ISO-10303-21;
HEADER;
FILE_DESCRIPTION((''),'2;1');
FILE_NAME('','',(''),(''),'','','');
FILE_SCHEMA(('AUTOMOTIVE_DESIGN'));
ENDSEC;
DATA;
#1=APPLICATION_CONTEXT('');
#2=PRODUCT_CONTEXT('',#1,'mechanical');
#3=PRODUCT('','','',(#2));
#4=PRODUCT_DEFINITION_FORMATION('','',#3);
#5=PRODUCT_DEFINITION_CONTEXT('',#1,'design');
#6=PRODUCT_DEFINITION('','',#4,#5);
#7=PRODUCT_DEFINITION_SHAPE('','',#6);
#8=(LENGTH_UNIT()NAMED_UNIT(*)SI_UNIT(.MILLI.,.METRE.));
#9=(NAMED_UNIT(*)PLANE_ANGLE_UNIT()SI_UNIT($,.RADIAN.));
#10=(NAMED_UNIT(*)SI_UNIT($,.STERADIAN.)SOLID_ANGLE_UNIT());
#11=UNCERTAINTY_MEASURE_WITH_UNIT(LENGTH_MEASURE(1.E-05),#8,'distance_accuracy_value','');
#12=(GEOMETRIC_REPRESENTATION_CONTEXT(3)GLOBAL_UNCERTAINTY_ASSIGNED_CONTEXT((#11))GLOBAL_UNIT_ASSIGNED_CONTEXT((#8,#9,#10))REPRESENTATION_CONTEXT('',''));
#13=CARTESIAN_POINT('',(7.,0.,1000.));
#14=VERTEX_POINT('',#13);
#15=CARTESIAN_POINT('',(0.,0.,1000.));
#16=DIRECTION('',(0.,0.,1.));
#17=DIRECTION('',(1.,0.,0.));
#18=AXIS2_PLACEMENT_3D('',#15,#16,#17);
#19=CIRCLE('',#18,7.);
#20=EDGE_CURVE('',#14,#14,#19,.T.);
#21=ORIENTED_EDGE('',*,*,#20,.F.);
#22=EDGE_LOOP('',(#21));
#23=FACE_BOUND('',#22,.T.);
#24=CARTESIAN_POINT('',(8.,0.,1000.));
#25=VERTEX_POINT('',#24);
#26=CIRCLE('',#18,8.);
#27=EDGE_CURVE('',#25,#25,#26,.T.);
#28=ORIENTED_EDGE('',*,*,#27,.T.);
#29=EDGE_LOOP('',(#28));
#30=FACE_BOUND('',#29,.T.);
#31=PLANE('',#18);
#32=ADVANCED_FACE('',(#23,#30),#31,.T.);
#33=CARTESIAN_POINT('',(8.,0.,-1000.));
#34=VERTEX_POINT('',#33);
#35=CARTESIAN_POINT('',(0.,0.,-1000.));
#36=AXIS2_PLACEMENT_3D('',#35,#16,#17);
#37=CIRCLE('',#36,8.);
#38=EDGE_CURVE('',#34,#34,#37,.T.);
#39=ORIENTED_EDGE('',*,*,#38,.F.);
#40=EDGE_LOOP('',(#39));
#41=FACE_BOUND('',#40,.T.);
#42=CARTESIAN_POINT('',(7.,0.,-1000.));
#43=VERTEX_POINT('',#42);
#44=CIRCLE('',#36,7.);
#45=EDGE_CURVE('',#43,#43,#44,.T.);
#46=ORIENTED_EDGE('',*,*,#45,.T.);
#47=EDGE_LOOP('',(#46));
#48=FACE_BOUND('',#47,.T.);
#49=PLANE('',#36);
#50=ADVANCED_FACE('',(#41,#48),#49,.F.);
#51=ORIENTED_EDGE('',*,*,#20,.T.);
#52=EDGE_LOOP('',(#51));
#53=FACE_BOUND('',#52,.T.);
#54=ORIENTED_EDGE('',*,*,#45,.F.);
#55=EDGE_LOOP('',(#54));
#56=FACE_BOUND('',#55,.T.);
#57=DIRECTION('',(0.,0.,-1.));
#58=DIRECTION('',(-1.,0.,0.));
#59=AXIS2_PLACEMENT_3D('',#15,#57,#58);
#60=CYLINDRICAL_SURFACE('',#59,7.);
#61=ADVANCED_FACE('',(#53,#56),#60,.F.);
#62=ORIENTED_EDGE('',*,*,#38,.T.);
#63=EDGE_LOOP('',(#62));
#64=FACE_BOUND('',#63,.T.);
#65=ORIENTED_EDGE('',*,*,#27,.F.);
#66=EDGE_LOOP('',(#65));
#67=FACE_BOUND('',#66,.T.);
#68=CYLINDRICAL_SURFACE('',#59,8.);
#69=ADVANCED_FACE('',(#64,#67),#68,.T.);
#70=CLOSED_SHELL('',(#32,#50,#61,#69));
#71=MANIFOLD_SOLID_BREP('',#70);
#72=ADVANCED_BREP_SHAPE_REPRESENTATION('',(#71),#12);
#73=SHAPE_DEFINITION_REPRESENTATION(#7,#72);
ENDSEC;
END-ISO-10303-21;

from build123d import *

# Parameters (mm, degrees)
SKETCH_1_R      = 8
SKETCH_1_R_2    = 7
EXTRUDE_1_DEPTH = 1000


with BuildPart() as part:
    # Эскиз1 → Бобышка-Вытянуть1 (new body, symmetric)
    with BuildSketch(Plane.XY):
        Circle(SKETCH_1_R)
        Circle(SKETCH_1_R_2, mode=Mode.SUBTRACT)
    extrude(amount=EXTRUDE_1_DEPTH, both=True)


solid = part.part
